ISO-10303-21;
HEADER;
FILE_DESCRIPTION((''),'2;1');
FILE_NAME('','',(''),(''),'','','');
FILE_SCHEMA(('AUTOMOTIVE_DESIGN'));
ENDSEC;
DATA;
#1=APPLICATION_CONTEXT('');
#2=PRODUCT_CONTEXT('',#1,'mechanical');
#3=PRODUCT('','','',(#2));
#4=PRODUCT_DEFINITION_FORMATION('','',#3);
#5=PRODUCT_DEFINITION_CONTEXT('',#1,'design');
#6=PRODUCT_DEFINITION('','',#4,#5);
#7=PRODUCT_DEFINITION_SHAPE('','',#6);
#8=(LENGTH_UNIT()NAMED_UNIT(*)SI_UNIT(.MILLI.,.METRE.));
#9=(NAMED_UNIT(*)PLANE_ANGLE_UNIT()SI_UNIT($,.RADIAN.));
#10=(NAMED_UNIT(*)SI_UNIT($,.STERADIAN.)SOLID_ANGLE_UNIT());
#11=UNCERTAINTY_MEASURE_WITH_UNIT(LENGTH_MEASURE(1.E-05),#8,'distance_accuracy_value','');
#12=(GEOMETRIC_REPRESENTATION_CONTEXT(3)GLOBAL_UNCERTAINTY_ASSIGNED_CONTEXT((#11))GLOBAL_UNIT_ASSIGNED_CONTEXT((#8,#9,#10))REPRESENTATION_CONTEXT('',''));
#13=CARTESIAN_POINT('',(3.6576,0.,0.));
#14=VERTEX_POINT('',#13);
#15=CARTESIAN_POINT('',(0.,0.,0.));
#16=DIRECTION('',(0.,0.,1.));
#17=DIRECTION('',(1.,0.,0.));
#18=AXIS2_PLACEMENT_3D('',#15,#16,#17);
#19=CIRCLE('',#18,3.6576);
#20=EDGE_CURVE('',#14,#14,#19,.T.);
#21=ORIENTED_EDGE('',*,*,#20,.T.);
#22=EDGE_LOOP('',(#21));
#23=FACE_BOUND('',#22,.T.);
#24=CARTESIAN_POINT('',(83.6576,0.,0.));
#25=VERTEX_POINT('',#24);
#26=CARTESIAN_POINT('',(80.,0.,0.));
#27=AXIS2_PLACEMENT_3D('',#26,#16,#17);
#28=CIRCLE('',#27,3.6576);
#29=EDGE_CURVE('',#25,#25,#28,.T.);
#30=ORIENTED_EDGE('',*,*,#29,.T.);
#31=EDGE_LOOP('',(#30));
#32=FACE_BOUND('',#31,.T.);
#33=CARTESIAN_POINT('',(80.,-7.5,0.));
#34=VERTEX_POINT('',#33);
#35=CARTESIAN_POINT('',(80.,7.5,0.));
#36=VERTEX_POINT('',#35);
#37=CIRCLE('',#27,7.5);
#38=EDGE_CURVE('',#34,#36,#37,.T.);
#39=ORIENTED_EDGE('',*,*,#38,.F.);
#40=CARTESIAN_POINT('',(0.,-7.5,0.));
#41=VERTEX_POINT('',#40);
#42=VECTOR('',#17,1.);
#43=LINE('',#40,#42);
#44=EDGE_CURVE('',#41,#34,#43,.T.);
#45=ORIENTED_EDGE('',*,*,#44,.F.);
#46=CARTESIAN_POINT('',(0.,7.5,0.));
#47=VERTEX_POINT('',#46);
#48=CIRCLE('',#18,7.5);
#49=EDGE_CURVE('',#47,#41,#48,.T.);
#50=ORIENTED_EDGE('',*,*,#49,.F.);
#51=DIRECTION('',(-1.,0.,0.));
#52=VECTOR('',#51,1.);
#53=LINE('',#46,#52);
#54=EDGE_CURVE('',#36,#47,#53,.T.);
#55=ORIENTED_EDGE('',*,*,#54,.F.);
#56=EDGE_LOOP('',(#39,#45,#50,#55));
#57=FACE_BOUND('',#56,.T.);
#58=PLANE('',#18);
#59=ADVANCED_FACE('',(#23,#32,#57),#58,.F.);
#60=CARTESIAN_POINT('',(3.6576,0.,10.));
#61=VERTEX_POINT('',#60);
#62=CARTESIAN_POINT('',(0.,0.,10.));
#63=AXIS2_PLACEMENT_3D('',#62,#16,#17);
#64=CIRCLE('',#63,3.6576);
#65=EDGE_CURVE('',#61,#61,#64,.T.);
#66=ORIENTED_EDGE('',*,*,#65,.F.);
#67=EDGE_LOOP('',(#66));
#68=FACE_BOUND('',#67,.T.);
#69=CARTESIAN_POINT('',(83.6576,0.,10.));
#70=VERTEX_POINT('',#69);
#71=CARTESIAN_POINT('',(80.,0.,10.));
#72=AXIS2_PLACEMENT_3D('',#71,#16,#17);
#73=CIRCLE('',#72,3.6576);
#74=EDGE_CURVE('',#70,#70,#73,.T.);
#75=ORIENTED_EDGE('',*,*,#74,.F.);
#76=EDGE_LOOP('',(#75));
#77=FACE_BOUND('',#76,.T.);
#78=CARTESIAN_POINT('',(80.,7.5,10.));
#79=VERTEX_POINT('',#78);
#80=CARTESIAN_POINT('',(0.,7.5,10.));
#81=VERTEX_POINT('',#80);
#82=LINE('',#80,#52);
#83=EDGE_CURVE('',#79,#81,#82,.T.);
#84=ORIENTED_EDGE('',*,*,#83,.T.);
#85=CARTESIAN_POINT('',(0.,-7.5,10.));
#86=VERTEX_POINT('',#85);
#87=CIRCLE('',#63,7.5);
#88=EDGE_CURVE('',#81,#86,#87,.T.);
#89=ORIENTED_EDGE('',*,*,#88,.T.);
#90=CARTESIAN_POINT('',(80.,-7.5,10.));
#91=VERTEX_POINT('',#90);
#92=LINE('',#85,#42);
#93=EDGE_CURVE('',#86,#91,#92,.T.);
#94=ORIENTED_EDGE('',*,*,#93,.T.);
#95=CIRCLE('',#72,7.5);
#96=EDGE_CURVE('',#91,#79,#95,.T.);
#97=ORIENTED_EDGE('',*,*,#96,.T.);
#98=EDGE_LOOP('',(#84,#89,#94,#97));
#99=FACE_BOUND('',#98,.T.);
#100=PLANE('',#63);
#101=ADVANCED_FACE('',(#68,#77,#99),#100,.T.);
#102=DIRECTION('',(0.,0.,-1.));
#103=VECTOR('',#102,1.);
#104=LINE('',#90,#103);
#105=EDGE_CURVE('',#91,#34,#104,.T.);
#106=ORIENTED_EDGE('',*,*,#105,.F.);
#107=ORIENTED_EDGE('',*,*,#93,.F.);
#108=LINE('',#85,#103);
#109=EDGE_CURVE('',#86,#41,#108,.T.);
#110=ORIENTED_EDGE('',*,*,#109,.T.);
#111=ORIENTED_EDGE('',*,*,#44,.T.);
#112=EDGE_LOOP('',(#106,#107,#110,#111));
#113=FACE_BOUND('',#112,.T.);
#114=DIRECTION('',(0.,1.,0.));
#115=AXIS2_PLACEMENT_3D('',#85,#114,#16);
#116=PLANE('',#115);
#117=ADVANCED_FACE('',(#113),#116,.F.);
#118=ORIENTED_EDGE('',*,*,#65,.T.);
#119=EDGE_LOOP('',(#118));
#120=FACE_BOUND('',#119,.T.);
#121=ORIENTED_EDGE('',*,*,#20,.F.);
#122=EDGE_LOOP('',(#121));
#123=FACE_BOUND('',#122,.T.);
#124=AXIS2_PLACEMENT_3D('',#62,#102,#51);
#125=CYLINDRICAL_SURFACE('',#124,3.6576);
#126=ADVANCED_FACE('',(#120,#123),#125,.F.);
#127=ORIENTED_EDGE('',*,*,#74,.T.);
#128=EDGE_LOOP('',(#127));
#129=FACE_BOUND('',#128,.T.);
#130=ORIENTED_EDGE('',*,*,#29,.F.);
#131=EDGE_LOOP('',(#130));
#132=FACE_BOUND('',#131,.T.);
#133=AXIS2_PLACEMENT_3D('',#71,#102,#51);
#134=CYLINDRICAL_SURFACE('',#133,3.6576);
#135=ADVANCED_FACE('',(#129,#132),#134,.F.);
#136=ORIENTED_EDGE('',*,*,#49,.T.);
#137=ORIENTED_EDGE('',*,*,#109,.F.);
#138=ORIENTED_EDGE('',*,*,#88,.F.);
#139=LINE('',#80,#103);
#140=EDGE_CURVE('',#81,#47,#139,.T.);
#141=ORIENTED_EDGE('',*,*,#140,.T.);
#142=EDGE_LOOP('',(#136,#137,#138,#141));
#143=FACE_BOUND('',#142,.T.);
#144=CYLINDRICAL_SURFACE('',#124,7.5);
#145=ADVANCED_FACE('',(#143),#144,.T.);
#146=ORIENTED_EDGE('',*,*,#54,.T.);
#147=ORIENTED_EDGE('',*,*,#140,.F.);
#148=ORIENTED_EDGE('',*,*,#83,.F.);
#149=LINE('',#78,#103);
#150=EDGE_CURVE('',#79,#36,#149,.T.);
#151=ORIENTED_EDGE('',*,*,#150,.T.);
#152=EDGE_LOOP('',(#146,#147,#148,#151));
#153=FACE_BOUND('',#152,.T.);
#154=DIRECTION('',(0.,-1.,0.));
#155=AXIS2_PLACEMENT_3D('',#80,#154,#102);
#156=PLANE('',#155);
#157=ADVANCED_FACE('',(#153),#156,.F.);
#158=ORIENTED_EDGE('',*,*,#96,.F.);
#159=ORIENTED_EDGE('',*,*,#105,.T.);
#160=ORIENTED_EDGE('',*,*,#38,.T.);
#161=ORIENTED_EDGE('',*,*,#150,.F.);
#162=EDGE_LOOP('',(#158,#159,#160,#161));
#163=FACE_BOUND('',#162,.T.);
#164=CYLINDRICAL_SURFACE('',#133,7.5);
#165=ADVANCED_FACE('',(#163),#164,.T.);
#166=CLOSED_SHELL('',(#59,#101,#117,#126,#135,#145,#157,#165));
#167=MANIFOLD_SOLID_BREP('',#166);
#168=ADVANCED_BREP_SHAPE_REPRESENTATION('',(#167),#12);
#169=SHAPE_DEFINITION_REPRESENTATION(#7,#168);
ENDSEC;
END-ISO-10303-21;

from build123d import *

# Parameters (mm, degrees)
SKETCH1_R           = 3.6576
BOSS_EXTRUDE1_DEPTH = 10


with BuildPart() as part:
    # Sketch1 → Boss-Extrude1 (new body)
    with BuildSketch(Plane.XY):
        with BuildLine():
            Line((0, 7.5), (80, 7.5))
            ThreePointArc((80, 7.5), (87.5, 0), (80, -7.5))
            Line((80, -7.5), (0, -7.5))
            ThreePointArc((0, -7.5), (-7.5, 0), (0, 7.5))
        make_face()
        Circle(SKETCH1_R, mode=Mode.SUBTRACT)
        with Locations((80, 0)):
            Circle(SKETCH1_R, mode=Mode.SUBTRACT)
    extrude(amount=BOSS_EXTRUDE1_DEPTH)


solid = part.part
